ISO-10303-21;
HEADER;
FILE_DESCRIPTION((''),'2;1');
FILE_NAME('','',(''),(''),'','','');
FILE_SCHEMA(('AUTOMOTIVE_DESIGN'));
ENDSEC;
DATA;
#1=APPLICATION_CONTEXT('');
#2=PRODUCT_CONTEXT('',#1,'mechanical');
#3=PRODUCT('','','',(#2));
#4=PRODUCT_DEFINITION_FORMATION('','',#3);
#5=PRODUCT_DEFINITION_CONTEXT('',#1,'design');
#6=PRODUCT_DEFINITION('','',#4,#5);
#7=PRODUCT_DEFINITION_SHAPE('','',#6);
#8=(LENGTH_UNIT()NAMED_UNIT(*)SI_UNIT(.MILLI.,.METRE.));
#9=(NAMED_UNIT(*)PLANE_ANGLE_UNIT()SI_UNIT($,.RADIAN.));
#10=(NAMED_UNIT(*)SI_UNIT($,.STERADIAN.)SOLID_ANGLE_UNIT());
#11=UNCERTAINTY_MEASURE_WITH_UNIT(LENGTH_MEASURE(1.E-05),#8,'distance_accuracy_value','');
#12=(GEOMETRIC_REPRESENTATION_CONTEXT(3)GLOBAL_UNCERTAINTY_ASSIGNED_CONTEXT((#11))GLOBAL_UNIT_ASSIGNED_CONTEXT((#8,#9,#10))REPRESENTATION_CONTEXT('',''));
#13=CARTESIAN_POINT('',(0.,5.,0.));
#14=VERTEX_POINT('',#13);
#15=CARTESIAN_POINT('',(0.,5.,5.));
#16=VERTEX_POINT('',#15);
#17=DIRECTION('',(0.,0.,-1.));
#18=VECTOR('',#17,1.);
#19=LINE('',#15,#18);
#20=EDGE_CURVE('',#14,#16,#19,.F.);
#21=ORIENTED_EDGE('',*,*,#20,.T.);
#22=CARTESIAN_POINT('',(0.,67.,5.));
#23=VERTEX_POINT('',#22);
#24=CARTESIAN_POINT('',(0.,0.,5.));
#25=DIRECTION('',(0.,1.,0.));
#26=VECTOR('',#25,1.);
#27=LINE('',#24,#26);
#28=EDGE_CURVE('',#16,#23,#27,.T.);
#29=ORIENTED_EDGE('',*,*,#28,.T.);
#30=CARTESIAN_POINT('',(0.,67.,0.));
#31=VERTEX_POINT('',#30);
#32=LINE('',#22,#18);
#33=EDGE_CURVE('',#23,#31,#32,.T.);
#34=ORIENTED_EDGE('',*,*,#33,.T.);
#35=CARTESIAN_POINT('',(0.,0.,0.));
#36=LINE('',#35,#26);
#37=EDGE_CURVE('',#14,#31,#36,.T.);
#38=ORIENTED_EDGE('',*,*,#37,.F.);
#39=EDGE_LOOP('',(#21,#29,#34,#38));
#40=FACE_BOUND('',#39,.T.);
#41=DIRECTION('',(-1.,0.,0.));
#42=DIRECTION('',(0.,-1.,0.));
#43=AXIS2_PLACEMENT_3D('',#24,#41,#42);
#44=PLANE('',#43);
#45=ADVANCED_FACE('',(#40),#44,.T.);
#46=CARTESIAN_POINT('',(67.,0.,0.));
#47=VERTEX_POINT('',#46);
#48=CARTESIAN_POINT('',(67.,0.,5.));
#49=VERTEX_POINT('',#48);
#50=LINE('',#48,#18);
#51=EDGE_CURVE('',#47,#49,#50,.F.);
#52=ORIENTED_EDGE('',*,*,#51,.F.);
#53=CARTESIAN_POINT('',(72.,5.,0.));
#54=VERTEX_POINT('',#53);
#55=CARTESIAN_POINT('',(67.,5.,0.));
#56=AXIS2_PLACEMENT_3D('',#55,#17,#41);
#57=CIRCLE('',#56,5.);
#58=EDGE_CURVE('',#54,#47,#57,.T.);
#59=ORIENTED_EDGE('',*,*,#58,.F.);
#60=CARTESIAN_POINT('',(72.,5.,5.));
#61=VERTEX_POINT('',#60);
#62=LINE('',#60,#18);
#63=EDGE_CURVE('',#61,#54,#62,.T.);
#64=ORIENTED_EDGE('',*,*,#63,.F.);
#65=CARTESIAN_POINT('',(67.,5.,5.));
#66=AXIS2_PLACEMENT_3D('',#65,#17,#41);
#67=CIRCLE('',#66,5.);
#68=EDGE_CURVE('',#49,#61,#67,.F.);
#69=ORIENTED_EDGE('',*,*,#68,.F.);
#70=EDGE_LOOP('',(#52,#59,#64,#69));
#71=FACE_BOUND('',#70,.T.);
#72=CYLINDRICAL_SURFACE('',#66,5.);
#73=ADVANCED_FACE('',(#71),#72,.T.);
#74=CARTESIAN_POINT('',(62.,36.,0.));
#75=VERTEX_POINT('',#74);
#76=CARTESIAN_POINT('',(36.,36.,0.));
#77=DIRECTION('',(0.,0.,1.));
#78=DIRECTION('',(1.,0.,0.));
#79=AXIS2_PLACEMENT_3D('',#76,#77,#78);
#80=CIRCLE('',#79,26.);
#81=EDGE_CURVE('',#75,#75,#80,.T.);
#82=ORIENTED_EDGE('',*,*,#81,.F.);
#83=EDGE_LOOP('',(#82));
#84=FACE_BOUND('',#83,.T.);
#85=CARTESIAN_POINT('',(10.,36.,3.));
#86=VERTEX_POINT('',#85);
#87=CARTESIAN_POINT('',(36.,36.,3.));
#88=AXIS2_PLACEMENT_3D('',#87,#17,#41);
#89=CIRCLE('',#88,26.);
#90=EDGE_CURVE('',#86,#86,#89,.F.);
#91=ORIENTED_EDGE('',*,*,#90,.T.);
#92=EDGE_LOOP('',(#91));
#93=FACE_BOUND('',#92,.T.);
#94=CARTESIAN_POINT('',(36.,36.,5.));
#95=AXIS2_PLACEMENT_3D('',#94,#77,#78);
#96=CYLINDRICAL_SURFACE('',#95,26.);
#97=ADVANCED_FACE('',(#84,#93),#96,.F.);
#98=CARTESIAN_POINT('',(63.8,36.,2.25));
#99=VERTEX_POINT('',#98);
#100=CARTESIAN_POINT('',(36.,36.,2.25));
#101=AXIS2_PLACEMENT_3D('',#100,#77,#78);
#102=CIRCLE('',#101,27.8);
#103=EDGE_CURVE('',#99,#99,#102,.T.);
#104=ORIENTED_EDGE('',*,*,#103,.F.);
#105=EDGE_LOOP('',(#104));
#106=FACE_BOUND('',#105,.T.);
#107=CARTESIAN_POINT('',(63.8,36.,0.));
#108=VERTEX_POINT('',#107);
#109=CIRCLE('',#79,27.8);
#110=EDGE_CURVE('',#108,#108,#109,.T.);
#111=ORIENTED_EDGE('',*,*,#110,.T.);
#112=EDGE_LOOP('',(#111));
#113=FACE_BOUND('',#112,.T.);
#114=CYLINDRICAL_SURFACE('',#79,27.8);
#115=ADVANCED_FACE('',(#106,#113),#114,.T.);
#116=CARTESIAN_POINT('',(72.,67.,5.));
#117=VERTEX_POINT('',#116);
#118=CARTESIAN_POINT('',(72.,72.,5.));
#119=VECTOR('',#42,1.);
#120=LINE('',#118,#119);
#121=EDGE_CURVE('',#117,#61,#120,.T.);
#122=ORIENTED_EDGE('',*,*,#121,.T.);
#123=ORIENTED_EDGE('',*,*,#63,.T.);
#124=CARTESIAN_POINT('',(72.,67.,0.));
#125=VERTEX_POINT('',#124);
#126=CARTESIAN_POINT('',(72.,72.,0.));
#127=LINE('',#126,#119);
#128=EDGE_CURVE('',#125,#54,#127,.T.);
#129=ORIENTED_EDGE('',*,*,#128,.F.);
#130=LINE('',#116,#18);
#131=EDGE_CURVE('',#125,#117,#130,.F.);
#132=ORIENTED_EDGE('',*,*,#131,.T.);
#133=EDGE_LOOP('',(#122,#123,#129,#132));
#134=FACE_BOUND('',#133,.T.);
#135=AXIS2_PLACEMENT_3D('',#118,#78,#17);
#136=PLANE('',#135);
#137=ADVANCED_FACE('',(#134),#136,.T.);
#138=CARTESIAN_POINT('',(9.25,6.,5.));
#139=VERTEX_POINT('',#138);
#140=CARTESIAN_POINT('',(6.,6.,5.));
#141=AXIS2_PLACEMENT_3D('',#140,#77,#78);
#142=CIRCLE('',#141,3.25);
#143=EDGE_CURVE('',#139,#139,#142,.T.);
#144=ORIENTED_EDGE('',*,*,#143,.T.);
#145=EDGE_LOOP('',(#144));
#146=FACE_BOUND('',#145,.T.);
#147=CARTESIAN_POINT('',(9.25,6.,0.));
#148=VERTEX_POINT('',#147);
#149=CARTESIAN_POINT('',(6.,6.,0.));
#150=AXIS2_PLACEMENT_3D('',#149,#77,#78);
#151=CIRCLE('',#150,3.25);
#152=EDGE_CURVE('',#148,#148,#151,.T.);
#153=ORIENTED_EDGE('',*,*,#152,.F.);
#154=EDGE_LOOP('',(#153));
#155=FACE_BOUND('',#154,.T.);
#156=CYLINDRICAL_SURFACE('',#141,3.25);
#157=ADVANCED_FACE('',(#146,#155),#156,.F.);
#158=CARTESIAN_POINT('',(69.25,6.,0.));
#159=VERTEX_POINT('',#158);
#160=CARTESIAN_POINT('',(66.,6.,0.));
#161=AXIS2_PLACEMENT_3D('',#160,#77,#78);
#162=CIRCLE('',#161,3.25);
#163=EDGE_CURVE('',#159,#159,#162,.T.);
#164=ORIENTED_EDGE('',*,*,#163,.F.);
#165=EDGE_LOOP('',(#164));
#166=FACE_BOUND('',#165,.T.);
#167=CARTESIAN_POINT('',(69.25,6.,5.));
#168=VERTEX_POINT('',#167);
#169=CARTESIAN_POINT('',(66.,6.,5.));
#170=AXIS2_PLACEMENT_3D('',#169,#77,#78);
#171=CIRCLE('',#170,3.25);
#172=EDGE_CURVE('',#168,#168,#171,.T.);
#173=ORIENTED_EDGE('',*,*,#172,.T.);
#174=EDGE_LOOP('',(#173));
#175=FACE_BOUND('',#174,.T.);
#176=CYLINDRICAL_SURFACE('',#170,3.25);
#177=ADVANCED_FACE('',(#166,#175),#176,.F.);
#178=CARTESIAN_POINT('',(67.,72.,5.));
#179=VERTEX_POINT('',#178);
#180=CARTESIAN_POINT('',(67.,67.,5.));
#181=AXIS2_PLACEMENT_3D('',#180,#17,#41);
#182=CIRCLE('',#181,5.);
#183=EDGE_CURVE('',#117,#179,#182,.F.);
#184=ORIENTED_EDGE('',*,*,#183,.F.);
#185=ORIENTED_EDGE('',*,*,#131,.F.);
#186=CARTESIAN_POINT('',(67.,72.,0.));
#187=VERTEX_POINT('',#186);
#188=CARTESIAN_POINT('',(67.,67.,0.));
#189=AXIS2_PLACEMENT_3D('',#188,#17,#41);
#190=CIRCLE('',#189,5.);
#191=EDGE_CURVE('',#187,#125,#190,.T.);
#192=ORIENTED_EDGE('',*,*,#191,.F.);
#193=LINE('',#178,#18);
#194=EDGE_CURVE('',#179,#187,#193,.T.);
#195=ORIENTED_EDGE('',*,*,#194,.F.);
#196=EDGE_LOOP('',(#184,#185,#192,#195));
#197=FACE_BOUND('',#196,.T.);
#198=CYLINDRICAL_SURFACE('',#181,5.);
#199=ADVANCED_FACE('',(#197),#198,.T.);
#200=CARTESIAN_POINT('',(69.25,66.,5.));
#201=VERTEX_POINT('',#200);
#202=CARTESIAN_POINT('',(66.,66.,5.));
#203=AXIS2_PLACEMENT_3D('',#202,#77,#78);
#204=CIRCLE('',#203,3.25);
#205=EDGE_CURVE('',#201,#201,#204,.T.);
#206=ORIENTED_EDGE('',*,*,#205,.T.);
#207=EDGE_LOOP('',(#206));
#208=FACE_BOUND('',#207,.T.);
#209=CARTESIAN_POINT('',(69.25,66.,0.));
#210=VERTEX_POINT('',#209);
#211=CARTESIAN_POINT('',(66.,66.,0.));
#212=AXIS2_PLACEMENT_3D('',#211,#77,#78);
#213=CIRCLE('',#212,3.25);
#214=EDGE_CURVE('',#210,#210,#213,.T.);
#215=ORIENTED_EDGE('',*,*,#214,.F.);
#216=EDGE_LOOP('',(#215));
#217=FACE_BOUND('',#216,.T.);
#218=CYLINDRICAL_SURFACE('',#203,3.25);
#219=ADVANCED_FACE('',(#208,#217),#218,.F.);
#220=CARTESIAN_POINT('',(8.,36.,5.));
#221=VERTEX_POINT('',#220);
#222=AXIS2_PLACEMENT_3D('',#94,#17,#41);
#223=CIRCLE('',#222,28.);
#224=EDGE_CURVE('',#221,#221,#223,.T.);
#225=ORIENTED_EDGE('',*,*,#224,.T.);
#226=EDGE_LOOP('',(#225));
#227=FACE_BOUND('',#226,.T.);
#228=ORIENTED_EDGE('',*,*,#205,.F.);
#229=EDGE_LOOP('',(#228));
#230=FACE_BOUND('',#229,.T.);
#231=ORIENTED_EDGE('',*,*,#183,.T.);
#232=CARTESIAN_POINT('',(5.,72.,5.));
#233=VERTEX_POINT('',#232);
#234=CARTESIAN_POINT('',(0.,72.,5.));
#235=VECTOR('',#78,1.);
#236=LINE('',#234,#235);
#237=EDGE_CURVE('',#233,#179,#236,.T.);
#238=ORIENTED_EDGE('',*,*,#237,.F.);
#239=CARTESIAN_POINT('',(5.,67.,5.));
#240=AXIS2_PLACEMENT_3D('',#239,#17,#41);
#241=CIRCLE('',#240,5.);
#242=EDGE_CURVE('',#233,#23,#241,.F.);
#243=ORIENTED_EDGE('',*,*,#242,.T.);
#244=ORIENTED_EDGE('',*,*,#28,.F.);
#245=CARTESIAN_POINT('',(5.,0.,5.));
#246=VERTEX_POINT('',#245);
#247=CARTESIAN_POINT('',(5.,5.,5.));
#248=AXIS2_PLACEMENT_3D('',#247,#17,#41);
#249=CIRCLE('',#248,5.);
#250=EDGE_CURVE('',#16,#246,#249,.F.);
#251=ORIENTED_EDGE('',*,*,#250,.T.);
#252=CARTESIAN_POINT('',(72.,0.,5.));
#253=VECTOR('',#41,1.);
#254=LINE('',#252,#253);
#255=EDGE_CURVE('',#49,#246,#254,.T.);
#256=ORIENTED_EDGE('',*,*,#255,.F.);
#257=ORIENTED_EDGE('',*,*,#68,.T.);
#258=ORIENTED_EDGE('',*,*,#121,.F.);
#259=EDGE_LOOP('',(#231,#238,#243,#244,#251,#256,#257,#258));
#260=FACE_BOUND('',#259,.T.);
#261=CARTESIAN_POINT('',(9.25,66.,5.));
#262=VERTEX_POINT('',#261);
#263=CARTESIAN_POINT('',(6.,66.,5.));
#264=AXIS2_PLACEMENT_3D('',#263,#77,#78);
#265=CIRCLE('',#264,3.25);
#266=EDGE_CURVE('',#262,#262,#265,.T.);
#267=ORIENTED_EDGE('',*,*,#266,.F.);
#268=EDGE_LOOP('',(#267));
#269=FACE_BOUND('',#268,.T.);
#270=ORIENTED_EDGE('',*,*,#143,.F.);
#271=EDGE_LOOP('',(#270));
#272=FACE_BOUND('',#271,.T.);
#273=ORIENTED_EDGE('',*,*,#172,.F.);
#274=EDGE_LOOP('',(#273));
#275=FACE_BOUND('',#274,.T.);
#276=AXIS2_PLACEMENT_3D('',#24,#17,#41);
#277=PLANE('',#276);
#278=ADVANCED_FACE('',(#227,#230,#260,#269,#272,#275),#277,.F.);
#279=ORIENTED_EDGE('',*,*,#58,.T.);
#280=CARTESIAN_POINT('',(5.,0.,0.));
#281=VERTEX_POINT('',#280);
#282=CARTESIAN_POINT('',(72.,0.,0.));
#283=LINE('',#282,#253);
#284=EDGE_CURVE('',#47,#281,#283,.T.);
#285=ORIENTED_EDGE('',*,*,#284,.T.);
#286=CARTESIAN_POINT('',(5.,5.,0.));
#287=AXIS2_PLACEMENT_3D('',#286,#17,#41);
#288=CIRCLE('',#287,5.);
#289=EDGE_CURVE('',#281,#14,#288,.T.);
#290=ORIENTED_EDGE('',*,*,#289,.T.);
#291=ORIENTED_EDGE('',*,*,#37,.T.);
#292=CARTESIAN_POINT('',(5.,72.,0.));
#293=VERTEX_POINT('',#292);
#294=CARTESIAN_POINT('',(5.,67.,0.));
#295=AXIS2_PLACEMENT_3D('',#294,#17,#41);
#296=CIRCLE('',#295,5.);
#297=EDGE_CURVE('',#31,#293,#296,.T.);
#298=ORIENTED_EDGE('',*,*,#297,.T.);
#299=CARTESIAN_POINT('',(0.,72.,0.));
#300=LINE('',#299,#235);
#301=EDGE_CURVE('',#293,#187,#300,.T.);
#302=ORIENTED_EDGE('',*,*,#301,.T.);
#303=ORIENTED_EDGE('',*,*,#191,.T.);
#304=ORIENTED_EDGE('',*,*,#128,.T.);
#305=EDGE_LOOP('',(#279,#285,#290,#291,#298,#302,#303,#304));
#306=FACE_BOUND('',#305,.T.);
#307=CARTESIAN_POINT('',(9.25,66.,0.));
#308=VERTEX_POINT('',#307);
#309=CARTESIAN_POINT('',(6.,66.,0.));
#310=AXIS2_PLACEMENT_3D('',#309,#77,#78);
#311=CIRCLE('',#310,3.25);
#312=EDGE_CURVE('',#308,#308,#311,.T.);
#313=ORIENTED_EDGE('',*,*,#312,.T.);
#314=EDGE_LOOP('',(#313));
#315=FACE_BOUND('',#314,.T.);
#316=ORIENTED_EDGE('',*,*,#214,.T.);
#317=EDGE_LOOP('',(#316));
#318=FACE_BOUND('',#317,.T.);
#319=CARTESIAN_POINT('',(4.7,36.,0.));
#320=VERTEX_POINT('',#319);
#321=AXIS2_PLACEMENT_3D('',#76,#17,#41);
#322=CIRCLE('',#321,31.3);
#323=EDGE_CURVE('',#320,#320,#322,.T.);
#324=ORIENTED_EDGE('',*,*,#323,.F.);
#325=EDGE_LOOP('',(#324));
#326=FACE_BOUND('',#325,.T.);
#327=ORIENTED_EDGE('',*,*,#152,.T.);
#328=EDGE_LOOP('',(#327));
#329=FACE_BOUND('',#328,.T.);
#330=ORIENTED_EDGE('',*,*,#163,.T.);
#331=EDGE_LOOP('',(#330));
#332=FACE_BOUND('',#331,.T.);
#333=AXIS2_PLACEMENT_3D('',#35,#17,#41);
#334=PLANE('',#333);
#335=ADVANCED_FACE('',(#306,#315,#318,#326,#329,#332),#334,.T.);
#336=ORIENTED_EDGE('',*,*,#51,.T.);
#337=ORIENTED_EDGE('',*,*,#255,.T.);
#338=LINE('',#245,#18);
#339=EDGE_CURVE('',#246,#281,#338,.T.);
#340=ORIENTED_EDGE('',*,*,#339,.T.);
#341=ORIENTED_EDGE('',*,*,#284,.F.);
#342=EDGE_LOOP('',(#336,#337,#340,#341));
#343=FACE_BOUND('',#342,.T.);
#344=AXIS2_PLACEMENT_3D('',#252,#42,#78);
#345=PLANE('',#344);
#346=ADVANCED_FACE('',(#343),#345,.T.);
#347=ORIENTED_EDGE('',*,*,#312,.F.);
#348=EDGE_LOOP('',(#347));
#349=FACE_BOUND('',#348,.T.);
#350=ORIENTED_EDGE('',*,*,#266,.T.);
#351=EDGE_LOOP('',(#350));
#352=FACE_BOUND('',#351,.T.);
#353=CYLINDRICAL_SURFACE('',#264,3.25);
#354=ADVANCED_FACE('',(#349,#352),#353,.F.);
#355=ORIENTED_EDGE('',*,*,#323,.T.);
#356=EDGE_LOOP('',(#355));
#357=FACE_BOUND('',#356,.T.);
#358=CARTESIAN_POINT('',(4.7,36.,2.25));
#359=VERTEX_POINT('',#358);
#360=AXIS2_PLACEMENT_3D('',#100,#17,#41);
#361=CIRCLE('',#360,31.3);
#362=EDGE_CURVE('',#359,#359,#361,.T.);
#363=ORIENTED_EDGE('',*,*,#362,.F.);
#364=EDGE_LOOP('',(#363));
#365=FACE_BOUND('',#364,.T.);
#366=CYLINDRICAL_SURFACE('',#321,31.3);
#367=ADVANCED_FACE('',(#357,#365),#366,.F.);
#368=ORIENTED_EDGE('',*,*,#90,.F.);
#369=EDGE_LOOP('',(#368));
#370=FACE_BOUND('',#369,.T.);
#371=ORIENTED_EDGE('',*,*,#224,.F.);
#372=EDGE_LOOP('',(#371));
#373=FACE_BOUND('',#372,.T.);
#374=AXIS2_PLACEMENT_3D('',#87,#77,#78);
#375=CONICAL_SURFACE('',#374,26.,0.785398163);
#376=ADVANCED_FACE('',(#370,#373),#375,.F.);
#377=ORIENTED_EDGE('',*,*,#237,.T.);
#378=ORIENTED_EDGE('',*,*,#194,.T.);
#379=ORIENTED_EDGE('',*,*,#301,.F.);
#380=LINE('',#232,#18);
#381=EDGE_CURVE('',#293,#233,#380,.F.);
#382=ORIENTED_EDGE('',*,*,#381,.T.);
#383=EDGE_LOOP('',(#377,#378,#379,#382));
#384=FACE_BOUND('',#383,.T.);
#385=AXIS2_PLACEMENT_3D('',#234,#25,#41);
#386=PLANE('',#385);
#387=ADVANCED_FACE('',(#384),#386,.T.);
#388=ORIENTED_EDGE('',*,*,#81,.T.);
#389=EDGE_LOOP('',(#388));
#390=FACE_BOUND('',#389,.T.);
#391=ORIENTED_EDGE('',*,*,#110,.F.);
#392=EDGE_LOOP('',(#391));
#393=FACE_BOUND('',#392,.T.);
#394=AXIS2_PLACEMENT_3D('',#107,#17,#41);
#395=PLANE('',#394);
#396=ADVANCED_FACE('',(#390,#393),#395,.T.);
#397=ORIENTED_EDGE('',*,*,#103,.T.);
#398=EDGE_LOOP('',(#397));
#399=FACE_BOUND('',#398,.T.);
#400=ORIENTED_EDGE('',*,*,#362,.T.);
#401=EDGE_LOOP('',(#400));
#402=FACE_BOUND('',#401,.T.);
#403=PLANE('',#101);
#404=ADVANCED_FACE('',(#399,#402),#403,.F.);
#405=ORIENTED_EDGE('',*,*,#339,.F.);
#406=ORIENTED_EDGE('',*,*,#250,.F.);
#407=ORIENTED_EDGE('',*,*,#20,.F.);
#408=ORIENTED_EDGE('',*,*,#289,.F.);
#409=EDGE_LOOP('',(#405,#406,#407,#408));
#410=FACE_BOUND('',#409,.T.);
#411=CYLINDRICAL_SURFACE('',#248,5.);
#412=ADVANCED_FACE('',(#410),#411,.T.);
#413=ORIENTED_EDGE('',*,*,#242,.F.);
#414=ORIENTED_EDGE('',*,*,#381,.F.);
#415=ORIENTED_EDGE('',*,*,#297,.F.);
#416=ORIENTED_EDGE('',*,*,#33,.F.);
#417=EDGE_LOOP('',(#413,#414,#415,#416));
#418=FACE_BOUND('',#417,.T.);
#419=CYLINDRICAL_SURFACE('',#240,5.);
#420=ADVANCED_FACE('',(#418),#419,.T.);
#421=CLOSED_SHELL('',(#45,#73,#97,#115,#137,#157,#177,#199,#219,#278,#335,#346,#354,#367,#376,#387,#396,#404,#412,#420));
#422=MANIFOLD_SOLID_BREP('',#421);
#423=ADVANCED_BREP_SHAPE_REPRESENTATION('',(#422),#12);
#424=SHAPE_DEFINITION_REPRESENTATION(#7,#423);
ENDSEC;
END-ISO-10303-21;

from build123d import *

# Parameters (mm, degrees)
SKETCH1_W           = 72
SKETCH1_H           = 72
BOSS_EXTRUDE1_DEPTH = 5
HOLE1_D             = 62.6
HOLE1_DEPTH         = 2.25
SKETCH4_W           = 27.8
SKETCH4_H           = 2.25
HOLE2_D             = 6.5
HOLE3_D             = 52
CHAMFER1_SIZE       = 2
FILLET1_R           = 5


with BuildPart() as part:
    # Sketch1 → Boss-Extrude1 (new body)
    with BuildSketch(Plane(origin=(0, 0, 0), x_dir=(-1, 0, 0), z_dir=(0, 0, -1))):
        with Locations((-36, 36)):
            Rectangle(SKETCH1_W, SKETCH1_H)
    extrude(amount=-BOSS_EXTRUDE1_DEPTH)

    # Hole1
    with Locations(Plane(origin=(0, 0, 0), x_dir=(-1, 0, 0), z_dir=(0, 0, -1))):
        with Locations((-36, 36)):
            Hole(HOLE1_D / 2, depth=HOLE1_DEPTH)

    # Sketch4 → Revolve1 (revolve)
    with BuildSketch(Plane(origin=(0, 36, 0), x_dir=(1, 0, 0), z_dir=(0, 1, 0)), mode=Mode.PRIVATE) as revolve1_sk:
        with Locations((49.9, -1.125)):
            Rectangle(SKETCH4_W, SKETCH4_H)
    revolve(revolve1_sk.sketch.rotate(Axis((36, 36, 0), (0, 0, 1)), 180), axis=Axis((36, 36, 0), (0, 0, 1)))

    # Hole2 (through all)
    with Locations(Plane.XY.offset(5)):
        with Locations((66, 6), (6, 6), (6, 66), (66, 66)):
            Hole(HOLE2_D / 2)

    # Hole3 (through all)
    with Locations(Plane.XY.offset(5)):
        with Locations((36, 36)):
            Hole(HOLE3_D / 2)

    # Chamfer1
    chamfer1_edges = [part.edges().sort_by_distance(p)[0] for p in [
        (62, 36, 5),
    ]]
    chamfer(chamfer1_edges, length=CHAMFER1_SIZE)

    # Fillet1
    fillet1_edges = [part.edges().sort_by_distance(p)[0] for p in [
        (72, 0, 2.5),
        (72, 72, 2.5),
        (0, 72, 2.5),
        (0, 0, 2.5),
    ]]
    fillet(fillet1_edges, radius=FILLET1_R)


solid = part.part
